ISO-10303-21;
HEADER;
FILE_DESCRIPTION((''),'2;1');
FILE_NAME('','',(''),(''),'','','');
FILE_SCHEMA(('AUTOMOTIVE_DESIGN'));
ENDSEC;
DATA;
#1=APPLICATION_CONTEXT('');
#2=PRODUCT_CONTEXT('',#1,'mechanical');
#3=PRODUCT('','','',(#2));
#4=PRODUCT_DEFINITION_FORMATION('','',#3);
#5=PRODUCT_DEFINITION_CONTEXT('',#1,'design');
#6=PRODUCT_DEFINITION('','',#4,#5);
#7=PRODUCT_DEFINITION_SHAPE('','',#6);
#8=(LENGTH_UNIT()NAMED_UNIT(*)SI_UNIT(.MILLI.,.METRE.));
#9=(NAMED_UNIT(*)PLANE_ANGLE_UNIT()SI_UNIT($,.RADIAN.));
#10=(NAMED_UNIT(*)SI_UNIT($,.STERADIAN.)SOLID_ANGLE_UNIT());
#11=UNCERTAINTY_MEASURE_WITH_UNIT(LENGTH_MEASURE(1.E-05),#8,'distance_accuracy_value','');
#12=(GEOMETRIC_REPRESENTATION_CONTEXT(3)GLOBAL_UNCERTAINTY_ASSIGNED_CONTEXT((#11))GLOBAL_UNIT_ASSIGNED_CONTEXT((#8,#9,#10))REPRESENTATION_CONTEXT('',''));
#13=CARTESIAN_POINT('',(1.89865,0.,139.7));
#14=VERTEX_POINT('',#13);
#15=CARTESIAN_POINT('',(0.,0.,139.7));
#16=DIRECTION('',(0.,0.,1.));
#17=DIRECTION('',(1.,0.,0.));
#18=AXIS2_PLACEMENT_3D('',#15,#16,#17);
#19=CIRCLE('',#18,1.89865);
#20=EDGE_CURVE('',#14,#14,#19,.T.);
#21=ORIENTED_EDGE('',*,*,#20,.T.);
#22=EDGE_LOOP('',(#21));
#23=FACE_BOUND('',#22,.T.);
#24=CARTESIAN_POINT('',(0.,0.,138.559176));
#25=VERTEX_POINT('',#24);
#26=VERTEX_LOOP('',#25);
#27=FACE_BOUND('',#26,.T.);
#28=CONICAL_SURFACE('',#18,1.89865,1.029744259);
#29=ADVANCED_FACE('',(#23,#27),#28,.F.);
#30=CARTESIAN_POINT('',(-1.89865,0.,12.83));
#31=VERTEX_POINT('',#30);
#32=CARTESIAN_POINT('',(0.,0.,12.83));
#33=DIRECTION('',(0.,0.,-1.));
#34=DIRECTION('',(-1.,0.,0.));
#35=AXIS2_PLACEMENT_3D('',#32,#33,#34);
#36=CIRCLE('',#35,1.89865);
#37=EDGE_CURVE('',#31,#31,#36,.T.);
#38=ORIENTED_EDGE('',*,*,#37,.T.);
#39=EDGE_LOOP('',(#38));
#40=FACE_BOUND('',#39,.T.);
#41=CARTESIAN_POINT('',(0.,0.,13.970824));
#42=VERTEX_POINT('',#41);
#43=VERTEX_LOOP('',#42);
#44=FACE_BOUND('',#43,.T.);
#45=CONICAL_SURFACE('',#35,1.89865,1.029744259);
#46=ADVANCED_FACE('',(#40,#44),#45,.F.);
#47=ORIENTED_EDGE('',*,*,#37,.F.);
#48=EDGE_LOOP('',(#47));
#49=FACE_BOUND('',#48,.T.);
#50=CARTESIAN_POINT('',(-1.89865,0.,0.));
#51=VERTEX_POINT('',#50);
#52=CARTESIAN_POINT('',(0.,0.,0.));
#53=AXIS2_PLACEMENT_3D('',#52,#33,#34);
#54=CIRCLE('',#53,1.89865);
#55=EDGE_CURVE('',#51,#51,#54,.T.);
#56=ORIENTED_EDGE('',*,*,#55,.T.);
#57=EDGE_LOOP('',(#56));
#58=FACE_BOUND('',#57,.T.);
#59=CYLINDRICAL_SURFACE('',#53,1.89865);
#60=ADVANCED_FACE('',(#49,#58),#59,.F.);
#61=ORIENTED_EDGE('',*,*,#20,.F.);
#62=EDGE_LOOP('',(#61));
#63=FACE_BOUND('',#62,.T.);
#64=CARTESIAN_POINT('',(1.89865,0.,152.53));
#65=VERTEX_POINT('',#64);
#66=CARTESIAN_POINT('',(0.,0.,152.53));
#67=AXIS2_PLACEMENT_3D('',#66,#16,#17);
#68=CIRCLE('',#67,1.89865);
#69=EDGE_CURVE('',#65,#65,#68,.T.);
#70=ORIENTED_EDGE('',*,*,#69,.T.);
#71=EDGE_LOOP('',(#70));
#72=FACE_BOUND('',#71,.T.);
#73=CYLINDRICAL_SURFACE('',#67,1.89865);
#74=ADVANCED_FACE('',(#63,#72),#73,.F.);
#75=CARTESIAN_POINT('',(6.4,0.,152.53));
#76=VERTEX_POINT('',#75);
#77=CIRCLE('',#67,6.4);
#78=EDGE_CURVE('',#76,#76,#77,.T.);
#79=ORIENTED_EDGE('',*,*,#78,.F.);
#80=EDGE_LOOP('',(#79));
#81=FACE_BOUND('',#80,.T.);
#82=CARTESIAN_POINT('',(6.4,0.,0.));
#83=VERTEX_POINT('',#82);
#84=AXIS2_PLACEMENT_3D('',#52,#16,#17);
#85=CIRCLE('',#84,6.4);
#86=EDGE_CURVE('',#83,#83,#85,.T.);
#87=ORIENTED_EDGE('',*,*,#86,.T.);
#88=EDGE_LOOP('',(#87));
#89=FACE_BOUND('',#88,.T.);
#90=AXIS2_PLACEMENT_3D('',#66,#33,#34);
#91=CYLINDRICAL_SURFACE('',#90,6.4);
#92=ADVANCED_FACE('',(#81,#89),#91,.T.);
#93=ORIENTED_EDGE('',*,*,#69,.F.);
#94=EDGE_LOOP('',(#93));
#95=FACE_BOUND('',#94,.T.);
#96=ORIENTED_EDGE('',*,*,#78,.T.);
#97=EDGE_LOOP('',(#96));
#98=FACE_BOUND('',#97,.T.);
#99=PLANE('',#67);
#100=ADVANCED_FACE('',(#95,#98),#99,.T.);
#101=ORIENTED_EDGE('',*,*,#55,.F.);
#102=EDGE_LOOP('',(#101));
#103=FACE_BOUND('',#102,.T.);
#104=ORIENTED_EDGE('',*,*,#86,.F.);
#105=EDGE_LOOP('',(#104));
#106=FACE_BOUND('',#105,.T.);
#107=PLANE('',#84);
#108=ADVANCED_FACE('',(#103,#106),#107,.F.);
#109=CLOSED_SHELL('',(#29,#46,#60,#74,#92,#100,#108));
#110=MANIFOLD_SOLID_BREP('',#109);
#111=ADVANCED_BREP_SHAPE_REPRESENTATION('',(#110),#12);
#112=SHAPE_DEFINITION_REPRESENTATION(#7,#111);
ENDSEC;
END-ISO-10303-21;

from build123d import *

# Parameters (mm, degrees)
SKETCH1_R                  = 6.4
BOSS_EXTRUDE1_DEPTH        = 152.53
F_10_24_TAPPED_HOLE1_D     = 3.7973
F_10_24_TAPPED_HOLE1_DEPTH = 12.83
F_10_24_TAPPED_HOLE1_TIP   = 1.140824014
F_10_24_TAPPED_HOLE2_D     = 3.7973
F_10_24_TAPPED_HOLE2_DEPTH = 12.83
F_10_24_TAPPED_HOLE2_TIP   = 1.140824014


with BuildPart() as part:
    # Sketch1 → Boss-Extrude1 (new body)
    with BuildSketch(Plane.XY):
        Circle(SKETCH1_R)
    extrude(amount=BOSS_EXTRUDE1_DEPTH)

    # #10-24 Tapped Hole1
    with Locations(Plane(origin=(0, 0, 0), x_dir=(-1, 0, 0), z_dir=(0, 0, -1))):
        with Locations((0, 0)):
            Hole(F_10_24_TAPPED_HOLE1_D / 2, depth=F_10_24_TAPPED_HOLE1_DEPTH)
            with Locations((0, 0, -(F_10_24_TAPPED_HOLE1_DEPTH + F_10_24_TAPPED_HOLE1_TIP / 2))):  # 118° drill point
                Cone(0, F_10_24_TAPPED_HOLE1_D / 2, F_10_24_TAPPED_HOLE1_TIP, mode=Mode.SUBTRACT)

    # #10-24 Tapped Hole2
    with Locations(Plane.XY.offset(152.53)):
        with Locations((0, 0)):
            Hole(F_10_24_TAPPED_HOLE2_D / 2, depth=F_10_24_TAPPED_HOLE2_DEPTH)
            with Locations((0, 0, -(F_10_24_TAPPED_HOLE2_DEPTH + F_10_24_TAPPED_HOLE2_TIP / 2))):  # 118° drill point
                Cone(0, F_10_24_TAPPED_HOLE2_D / 2, F_10_24_TAPPED_HOLE2_TIP, mode=Mode.SUBTRACT)


solid = part.part
